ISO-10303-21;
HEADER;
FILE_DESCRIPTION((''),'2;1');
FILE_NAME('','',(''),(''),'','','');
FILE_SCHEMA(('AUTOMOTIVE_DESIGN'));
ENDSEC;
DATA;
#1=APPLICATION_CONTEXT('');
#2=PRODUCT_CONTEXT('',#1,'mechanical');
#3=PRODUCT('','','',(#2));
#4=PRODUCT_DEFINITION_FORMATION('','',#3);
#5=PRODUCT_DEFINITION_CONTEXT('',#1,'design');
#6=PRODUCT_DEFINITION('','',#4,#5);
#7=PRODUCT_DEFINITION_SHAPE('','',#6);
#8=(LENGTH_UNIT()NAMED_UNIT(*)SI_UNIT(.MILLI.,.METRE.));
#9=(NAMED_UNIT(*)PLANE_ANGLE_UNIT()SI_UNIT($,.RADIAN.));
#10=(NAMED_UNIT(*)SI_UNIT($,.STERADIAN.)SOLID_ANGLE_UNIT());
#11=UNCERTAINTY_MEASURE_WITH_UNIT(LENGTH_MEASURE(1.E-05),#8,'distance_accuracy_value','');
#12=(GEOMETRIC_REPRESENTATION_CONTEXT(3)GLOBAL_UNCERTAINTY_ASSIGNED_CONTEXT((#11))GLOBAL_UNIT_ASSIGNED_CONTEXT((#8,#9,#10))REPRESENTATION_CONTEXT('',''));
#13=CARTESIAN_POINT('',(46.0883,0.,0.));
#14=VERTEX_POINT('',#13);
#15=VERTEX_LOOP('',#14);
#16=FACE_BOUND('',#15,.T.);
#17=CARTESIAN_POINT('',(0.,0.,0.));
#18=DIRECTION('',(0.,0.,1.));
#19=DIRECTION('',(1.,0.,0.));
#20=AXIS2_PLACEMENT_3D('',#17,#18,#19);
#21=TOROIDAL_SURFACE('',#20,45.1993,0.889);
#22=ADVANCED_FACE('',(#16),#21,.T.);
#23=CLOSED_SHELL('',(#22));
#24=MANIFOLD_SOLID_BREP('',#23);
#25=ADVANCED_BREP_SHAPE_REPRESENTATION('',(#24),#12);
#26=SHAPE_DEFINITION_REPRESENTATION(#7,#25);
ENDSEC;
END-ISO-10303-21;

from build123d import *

# Parameters (mm, degrees)
SKETCH1_R = 0.889


with BuildPart() as part:
    # Sketch1 → Revolve1 (revolve)
    with BuildSketch(Plane(origin=(0, 0, 0), x_dir=(0, -1, 0), z_dir=(1, 0, 0)), mode=Mode.PRIVATE) as revolve1_sk:
        with Locations((45.1993, 0)):
            Circle(SKETCH1_R)
    revolve(revolve1_sk.sketch.rotate(Axis((0, 0, 0.889), (0, 0, -1)), 270), axis=Axis((0, 0, 0.889), (0, 0, -1)))


solid = part.part
